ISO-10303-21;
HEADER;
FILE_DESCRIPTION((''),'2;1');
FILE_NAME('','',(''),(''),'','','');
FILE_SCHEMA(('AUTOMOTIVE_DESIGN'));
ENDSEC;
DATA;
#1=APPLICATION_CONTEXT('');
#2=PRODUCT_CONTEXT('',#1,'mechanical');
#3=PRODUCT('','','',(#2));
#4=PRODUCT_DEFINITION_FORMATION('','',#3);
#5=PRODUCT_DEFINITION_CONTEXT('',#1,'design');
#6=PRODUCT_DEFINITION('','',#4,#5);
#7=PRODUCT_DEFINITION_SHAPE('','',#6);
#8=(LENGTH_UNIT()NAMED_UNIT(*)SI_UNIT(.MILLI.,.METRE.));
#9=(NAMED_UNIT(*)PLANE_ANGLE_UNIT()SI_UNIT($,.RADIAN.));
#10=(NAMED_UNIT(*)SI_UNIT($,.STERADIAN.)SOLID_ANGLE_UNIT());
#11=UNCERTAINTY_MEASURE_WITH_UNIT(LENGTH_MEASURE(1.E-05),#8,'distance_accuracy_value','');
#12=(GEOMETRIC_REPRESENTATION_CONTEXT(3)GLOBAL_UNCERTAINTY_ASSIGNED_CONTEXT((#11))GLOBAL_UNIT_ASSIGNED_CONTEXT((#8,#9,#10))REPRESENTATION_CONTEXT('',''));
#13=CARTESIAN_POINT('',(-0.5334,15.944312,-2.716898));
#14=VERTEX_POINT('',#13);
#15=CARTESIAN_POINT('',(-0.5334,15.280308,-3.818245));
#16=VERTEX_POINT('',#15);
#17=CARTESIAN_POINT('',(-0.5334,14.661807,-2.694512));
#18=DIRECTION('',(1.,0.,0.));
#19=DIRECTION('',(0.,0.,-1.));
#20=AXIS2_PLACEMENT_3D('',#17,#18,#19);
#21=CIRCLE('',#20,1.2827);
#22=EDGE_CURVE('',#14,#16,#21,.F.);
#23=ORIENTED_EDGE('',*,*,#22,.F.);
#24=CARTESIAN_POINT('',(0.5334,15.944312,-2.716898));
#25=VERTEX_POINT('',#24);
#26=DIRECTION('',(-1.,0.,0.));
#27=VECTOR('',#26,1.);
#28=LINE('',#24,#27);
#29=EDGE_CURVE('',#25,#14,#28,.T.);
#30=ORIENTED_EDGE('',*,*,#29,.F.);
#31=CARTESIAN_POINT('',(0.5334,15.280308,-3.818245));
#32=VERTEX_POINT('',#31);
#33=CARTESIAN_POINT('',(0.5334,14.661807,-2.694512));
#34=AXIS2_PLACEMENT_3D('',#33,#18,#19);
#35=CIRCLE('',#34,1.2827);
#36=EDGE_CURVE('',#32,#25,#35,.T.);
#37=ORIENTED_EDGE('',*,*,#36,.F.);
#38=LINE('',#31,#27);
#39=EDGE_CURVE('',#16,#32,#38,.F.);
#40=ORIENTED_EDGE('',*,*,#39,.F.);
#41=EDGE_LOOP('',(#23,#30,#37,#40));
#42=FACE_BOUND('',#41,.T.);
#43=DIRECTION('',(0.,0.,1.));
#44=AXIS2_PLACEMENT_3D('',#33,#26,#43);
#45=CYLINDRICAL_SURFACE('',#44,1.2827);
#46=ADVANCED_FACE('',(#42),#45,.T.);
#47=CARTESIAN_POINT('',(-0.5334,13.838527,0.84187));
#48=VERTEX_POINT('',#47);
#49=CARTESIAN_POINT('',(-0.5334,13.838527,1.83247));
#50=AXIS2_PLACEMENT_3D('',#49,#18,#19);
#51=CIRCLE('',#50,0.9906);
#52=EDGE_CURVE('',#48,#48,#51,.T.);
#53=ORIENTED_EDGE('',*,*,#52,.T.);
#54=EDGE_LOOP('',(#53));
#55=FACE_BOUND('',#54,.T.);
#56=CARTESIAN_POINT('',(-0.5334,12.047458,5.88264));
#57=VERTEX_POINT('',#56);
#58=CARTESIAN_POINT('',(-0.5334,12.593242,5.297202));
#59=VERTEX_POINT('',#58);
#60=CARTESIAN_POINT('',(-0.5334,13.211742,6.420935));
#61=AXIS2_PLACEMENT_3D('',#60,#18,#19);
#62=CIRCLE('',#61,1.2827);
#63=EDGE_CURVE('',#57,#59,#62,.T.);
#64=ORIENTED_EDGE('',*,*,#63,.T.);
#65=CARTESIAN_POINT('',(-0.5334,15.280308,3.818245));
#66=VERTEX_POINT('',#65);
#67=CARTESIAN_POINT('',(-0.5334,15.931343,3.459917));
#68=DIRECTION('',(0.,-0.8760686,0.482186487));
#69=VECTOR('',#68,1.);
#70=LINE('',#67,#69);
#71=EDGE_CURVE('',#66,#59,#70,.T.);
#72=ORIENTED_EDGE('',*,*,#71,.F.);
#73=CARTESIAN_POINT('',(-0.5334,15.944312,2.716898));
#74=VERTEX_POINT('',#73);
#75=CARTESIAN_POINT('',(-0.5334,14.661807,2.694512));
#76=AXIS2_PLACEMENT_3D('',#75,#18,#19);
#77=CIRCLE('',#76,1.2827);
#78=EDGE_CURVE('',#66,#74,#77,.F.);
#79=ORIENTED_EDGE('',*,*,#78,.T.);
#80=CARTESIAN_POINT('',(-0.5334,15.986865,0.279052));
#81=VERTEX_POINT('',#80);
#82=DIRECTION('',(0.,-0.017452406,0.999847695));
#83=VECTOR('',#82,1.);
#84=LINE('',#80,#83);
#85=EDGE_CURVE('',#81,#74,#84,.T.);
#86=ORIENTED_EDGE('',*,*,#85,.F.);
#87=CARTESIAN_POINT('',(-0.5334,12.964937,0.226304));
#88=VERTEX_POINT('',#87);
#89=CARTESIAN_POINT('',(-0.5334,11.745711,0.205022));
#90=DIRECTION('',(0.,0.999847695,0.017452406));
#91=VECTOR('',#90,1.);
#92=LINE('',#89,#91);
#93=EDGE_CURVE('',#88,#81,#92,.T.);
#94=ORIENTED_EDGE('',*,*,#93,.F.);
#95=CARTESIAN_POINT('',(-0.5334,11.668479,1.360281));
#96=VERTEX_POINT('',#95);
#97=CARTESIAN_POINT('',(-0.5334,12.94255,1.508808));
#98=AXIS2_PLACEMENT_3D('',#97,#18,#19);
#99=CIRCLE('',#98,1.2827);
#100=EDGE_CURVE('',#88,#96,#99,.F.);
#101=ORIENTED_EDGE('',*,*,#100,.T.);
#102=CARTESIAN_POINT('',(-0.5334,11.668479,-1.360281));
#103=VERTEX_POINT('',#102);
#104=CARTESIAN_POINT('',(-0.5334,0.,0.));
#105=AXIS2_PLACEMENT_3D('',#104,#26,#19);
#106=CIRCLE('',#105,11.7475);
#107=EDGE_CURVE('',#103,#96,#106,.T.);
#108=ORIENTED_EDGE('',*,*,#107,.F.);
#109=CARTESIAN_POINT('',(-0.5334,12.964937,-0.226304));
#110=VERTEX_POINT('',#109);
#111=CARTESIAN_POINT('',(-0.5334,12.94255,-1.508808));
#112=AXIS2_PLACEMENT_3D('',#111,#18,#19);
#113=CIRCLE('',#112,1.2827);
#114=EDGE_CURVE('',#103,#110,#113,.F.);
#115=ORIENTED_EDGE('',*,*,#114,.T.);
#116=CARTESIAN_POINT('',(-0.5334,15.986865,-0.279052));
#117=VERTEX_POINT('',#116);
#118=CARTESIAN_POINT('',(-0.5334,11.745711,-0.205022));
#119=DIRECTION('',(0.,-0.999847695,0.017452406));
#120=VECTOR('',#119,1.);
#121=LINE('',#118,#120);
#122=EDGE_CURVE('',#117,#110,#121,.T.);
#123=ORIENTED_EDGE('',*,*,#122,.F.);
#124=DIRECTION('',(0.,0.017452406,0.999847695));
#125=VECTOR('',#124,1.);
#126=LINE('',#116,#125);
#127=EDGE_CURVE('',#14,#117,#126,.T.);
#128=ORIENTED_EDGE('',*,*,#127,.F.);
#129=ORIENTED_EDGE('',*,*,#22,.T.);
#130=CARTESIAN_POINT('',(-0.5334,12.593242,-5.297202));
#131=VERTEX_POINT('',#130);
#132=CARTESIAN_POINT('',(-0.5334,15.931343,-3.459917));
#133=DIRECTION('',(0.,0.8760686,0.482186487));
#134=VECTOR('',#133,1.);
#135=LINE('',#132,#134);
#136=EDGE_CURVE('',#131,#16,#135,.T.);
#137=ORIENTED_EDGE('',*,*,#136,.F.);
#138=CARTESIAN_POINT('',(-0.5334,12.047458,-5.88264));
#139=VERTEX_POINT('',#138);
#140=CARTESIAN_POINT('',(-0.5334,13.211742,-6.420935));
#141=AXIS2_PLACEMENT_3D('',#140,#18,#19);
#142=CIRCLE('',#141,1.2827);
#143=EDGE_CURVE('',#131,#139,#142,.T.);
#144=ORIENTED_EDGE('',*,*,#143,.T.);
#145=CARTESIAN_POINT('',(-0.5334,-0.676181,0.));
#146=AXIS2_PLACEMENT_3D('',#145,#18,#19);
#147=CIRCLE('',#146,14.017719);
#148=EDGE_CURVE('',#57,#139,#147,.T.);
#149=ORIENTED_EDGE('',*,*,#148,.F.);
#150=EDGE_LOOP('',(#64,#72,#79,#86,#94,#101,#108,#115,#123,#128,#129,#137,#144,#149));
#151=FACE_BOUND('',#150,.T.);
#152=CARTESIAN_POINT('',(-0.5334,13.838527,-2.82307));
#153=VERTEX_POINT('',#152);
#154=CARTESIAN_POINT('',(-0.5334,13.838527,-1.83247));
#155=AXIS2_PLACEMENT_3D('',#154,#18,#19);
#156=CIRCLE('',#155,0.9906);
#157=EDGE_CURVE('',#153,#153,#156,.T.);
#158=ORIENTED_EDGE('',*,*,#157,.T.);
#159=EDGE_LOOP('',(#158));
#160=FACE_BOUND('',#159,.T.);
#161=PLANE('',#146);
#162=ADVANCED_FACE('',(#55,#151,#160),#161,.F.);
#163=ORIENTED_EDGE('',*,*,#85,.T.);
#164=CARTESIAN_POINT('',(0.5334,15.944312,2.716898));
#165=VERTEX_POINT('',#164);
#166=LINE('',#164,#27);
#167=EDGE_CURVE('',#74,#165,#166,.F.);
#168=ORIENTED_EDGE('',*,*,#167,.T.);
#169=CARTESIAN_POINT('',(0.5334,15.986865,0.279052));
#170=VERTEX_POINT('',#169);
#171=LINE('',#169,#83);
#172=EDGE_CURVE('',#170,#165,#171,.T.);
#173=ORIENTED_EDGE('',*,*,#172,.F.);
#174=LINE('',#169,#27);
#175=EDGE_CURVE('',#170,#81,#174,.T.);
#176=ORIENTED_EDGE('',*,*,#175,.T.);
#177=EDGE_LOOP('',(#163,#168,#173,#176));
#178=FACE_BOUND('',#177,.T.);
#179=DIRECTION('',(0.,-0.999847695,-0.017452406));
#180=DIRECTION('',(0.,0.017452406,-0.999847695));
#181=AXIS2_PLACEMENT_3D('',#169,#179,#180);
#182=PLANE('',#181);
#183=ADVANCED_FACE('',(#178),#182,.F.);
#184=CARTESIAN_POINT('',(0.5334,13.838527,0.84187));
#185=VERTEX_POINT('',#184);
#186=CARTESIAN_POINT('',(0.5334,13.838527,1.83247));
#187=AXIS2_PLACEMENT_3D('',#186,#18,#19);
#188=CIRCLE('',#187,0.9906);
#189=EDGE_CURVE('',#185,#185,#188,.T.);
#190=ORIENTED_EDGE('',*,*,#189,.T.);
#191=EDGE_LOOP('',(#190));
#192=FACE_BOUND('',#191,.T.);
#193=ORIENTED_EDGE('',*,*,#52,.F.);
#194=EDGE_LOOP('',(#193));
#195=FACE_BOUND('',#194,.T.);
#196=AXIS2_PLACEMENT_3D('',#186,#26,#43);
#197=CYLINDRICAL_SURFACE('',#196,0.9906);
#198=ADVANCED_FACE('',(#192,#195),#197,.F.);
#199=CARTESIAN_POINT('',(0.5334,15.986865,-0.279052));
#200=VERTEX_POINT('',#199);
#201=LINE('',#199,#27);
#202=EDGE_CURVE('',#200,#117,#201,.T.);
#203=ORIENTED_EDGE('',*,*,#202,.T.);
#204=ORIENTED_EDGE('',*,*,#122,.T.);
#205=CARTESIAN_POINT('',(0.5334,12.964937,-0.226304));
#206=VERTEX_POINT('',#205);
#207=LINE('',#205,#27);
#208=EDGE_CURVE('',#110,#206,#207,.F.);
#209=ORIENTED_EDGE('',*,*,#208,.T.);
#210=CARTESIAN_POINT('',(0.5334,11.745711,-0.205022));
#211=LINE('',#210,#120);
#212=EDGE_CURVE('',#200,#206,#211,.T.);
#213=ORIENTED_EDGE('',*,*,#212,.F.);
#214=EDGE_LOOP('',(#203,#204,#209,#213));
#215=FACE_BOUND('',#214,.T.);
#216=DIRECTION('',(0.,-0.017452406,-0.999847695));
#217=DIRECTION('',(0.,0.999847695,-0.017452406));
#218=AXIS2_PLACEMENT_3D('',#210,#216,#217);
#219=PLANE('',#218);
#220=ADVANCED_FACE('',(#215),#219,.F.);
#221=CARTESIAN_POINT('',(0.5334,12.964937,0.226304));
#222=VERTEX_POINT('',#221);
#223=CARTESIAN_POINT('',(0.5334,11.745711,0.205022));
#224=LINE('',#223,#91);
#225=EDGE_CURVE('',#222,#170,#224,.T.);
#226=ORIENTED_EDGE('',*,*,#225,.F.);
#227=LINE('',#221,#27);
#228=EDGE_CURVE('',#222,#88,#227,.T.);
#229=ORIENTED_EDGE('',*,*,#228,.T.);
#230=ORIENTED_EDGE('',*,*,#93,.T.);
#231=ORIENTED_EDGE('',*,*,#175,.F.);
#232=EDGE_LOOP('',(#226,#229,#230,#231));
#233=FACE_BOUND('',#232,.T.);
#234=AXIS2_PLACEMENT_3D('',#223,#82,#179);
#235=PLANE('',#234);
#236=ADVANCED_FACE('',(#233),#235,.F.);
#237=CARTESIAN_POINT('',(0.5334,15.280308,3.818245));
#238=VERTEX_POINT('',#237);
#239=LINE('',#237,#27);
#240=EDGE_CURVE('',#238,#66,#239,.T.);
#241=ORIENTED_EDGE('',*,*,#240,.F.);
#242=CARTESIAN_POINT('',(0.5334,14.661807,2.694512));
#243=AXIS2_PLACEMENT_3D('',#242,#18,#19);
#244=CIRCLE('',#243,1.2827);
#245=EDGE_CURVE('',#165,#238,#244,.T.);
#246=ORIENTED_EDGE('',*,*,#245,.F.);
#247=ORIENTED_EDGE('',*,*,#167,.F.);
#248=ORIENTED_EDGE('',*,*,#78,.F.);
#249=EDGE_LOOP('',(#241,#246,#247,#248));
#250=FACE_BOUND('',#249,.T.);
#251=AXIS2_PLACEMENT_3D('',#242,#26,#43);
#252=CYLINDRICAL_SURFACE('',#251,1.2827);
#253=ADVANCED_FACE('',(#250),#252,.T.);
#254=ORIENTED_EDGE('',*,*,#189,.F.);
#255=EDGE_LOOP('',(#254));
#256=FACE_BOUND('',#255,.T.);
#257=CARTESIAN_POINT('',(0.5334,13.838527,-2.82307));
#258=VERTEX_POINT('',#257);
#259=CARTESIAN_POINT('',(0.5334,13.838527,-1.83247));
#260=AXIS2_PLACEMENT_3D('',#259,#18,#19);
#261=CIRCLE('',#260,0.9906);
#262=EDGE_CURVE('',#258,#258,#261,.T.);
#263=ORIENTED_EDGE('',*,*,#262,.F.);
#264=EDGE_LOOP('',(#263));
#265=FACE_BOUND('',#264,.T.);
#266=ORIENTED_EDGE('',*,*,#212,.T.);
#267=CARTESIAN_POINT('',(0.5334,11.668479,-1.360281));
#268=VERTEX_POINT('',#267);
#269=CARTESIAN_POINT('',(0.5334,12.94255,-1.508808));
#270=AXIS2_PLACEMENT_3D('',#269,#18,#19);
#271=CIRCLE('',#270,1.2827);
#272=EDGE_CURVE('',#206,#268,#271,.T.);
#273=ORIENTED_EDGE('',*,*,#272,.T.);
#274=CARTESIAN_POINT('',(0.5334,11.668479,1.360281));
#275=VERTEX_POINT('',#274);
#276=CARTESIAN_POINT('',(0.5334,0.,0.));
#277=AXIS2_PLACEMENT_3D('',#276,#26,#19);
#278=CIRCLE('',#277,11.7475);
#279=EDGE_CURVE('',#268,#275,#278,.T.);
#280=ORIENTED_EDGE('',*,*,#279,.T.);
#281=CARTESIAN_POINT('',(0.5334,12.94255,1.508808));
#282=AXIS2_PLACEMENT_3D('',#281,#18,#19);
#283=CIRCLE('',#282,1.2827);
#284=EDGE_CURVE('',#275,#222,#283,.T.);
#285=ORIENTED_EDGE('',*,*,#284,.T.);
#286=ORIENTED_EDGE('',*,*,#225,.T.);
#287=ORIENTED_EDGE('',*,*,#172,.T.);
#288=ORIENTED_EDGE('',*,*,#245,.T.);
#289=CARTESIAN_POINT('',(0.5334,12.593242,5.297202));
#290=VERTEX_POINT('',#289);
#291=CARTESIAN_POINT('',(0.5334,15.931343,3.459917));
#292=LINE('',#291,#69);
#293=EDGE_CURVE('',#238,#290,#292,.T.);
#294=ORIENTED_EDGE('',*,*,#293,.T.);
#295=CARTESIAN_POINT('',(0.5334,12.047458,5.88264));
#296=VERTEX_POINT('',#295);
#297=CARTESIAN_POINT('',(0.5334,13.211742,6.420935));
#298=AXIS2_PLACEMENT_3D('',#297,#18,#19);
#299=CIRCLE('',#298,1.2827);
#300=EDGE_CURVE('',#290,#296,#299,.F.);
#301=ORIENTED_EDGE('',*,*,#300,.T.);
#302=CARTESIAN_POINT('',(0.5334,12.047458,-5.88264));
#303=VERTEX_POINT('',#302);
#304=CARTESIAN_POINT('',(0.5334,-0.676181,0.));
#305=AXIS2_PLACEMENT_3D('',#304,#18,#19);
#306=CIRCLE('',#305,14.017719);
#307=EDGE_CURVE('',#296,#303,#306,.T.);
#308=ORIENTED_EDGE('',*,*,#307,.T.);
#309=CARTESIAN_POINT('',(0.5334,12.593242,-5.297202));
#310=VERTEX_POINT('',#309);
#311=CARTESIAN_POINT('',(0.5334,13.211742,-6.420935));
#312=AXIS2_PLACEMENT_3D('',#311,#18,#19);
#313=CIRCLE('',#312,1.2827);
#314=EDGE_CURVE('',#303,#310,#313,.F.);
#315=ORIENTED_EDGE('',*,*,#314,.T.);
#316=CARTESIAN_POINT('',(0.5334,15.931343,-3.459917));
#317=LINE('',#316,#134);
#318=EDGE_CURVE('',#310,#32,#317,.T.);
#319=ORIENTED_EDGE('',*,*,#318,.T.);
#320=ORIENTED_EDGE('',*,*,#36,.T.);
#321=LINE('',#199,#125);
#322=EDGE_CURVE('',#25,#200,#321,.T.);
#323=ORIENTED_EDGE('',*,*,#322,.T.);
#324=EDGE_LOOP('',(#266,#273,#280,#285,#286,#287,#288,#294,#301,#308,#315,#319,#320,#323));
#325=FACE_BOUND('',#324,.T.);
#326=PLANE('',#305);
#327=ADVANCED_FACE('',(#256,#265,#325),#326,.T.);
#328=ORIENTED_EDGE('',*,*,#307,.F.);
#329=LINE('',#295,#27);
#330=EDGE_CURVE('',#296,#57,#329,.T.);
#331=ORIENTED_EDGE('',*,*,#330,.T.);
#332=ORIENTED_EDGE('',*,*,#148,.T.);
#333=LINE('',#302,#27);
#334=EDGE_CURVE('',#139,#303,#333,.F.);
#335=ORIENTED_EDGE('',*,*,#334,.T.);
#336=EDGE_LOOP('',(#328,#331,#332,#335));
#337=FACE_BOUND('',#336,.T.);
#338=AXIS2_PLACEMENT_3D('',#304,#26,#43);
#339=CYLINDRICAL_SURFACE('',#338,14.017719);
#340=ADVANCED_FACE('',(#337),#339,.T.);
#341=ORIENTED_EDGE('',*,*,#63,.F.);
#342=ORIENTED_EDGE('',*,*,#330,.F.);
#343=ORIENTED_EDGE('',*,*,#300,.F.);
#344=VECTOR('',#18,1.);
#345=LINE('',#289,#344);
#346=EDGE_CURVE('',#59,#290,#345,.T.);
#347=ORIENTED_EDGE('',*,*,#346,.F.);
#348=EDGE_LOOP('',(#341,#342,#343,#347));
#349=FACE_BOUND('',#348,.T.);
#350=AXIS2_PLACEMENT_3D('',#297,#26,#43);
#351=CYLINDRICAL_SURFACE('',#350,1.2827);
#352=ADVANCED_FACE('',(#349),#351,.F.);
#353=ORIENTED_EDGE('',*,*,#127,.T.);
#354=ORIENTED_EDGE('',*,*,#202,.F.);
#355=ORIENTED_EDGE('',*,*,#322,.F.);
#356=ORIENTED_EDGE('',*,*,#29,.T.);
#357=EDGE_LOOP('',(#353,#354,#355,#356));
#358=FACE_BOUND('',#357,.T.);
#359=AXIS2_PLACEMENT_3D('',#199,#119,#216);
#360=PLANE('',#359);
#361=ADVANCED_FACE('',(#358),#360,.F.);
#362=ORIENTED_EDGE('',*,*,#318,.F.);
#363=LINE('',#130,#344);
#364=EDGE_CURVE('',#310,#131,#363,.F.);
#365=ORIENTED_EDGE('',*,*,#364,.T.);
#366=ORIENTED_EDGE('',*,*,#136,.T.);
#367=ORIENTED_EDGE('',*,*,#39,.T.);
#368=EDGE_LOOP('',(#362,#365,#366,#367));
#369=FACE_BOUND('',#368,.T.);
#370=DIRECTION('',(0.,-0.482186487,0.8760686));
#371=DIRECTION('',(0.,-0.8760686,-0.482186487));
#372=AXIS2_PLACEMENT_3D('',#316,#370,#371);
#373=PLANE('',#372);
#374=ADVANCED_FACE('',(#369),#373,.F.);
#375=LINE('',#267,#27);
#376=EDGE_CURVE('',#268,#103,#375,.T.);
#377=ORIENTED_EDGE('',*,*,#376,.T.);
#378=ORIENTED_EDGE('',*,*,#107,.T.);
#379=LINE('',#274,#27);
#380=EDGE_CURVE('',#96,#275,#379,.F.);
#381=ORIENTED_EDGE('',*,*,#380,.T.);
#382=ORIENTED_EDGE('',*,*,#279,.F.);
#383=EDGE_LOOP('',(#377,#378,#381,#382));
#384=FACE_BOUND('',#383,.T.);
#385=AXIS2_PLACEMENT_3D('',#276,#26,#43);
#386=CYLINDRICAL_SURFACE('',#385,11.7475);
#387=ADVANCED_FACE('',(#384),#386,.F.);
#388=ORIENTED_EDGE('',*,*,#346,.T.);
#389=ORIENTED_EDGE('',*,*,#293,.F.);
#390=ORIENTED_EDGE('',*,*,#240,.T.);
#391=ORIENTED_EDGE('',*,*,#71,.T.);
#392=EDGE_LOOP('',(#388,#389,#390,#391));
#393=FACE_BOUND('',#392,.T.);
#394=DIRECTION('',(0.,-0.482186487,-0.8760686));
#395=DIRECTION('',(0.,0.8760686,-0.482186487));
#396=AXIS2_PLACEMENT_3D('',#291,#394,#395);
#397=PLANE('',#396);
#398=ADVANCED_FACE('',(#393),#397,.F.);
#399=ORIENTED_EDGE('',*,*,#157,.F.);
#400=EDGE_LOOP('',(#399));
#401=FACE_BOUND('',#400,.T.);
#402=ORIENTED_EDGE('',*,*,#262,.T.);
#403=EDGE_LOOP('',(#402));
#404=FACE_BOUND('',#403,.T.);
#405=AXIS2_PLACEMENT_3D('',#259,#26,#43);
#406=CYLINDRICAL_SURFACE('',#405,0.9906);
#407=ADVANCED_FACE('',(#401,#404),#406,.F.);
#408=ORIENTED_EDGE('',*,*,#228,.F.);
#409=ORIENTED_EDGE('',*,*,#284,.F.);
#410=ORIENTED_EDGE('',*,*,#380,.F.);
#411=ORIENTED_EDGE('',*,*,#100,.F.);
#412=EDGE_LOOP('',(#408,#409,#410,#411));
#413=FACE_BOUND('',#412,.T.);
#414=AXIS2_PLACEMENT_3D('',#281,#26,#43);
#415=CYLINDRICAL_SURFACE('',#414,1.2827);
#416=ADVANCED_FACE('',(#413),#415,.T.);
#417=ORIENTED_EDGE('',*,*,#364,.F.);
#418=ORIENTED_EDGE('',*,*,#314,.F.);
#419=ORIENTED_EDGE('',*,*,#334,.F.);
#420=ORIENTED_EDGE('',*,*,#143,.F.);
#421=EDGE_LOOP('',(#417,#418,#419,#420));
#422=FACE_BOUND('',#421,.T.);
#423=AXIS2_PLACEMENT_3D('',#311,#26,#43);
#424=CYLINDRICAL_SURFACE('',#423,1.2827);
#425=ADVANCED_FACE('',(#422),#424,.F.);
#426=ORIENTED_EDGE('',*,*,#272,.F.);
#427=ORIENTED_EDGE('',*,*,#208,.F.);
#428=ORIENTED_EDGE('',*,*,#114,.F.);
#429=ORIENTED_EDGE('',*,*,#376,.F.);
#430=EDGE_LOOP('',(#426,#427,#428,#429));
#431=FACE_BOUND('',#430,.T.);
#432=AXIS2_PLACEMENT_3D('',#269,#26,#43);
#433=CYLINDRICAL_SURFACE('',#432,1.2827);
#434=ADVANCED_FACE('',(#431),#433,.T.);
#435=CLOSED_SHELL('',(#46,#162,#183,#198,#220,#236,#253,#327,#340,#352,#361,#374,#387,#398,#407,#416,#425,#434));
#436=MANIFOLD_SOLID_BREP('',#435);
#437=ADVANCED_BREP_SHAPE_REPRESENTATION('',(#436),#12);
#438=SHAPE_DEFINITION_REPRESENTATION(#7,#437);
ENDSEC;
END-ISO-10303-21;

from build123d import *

# Parameters (mm, degrees)
BOSS_EXTRUDE1_DEPTH      = 0.5334
BOSS_EXTRUDE1_DEPTH_BACK = 0.5334
SKETCH3_R                = 0.9906
FILLET1_R                = 1.2827


with BuildPart() as part:
    # Sketch3 → Boss-Extrude1 (new, two sides: drawn at the far end of the back side and taken through both)
    with BuildSketch(Plane(origin=(0, 0, 0), x_dir=(0, 0, -1), z_dir=(1, 0, 0)).offset(-BOSS_EXTRUDE1_DEPTH_BACK)):
        with BuildLine():
            Line((-3.459917227, 15.931342539), (-5.505255869, 12.215234753))
            ThreePointArc((-5.505255869, 12.215234753), (0, -14.6939), (5.505255869, 12.215234753))
            Line((5.505255869, 12.215234753), (3.459917227, 15.931342539))
            Line((3.459917227, 15.931342539), (0.279051762, 15.986864752))
            Line((0.279051762, 15.986864752), (0.205022145, 11.745710799))
            ThreePointArc((0.205022145, 11.745710799), (0, -11.7475), (-0.205022145, 11.745710799))
            Line((-0.205022145, 11.745710799), (-0.279051762, 15.986864752))
            Line((-0.279051762, 15.986864752), (-3.459917227, 15.931342539))
        make_face()
        with Locations((-1.832469686, 13.838526669)):
            Circle(SKETCH3_R, mode=Mode.SUBTRACT)
        with Locations((1.832469686, 13.838526669)):
            Circle(SKETCH3_R, mode=Mode.SUBTRACT)
    extrude(amount=BOSS_EXTRUDE1_DEPTH + BOSS_EXTRUDE1_DEPTH_BACK)

    # Fillet1
    fillet1_edges = [part.edges().sort_by_distance(p)[0] for p in [
        (0, 12.215234753, 5.505255869),
        (0, 15.931342539, 3.459917227),
        (0, 11.745710799, 0.205022145),
        (0, 11.745710799, -0.205022145),
        (0, 15.931342539, -3.459917227),
        (0, 12.215234753, -5.505255869),
    ]]
    fillet(fillet1_edges, radius=FILLET1_R)


solid = part.part
